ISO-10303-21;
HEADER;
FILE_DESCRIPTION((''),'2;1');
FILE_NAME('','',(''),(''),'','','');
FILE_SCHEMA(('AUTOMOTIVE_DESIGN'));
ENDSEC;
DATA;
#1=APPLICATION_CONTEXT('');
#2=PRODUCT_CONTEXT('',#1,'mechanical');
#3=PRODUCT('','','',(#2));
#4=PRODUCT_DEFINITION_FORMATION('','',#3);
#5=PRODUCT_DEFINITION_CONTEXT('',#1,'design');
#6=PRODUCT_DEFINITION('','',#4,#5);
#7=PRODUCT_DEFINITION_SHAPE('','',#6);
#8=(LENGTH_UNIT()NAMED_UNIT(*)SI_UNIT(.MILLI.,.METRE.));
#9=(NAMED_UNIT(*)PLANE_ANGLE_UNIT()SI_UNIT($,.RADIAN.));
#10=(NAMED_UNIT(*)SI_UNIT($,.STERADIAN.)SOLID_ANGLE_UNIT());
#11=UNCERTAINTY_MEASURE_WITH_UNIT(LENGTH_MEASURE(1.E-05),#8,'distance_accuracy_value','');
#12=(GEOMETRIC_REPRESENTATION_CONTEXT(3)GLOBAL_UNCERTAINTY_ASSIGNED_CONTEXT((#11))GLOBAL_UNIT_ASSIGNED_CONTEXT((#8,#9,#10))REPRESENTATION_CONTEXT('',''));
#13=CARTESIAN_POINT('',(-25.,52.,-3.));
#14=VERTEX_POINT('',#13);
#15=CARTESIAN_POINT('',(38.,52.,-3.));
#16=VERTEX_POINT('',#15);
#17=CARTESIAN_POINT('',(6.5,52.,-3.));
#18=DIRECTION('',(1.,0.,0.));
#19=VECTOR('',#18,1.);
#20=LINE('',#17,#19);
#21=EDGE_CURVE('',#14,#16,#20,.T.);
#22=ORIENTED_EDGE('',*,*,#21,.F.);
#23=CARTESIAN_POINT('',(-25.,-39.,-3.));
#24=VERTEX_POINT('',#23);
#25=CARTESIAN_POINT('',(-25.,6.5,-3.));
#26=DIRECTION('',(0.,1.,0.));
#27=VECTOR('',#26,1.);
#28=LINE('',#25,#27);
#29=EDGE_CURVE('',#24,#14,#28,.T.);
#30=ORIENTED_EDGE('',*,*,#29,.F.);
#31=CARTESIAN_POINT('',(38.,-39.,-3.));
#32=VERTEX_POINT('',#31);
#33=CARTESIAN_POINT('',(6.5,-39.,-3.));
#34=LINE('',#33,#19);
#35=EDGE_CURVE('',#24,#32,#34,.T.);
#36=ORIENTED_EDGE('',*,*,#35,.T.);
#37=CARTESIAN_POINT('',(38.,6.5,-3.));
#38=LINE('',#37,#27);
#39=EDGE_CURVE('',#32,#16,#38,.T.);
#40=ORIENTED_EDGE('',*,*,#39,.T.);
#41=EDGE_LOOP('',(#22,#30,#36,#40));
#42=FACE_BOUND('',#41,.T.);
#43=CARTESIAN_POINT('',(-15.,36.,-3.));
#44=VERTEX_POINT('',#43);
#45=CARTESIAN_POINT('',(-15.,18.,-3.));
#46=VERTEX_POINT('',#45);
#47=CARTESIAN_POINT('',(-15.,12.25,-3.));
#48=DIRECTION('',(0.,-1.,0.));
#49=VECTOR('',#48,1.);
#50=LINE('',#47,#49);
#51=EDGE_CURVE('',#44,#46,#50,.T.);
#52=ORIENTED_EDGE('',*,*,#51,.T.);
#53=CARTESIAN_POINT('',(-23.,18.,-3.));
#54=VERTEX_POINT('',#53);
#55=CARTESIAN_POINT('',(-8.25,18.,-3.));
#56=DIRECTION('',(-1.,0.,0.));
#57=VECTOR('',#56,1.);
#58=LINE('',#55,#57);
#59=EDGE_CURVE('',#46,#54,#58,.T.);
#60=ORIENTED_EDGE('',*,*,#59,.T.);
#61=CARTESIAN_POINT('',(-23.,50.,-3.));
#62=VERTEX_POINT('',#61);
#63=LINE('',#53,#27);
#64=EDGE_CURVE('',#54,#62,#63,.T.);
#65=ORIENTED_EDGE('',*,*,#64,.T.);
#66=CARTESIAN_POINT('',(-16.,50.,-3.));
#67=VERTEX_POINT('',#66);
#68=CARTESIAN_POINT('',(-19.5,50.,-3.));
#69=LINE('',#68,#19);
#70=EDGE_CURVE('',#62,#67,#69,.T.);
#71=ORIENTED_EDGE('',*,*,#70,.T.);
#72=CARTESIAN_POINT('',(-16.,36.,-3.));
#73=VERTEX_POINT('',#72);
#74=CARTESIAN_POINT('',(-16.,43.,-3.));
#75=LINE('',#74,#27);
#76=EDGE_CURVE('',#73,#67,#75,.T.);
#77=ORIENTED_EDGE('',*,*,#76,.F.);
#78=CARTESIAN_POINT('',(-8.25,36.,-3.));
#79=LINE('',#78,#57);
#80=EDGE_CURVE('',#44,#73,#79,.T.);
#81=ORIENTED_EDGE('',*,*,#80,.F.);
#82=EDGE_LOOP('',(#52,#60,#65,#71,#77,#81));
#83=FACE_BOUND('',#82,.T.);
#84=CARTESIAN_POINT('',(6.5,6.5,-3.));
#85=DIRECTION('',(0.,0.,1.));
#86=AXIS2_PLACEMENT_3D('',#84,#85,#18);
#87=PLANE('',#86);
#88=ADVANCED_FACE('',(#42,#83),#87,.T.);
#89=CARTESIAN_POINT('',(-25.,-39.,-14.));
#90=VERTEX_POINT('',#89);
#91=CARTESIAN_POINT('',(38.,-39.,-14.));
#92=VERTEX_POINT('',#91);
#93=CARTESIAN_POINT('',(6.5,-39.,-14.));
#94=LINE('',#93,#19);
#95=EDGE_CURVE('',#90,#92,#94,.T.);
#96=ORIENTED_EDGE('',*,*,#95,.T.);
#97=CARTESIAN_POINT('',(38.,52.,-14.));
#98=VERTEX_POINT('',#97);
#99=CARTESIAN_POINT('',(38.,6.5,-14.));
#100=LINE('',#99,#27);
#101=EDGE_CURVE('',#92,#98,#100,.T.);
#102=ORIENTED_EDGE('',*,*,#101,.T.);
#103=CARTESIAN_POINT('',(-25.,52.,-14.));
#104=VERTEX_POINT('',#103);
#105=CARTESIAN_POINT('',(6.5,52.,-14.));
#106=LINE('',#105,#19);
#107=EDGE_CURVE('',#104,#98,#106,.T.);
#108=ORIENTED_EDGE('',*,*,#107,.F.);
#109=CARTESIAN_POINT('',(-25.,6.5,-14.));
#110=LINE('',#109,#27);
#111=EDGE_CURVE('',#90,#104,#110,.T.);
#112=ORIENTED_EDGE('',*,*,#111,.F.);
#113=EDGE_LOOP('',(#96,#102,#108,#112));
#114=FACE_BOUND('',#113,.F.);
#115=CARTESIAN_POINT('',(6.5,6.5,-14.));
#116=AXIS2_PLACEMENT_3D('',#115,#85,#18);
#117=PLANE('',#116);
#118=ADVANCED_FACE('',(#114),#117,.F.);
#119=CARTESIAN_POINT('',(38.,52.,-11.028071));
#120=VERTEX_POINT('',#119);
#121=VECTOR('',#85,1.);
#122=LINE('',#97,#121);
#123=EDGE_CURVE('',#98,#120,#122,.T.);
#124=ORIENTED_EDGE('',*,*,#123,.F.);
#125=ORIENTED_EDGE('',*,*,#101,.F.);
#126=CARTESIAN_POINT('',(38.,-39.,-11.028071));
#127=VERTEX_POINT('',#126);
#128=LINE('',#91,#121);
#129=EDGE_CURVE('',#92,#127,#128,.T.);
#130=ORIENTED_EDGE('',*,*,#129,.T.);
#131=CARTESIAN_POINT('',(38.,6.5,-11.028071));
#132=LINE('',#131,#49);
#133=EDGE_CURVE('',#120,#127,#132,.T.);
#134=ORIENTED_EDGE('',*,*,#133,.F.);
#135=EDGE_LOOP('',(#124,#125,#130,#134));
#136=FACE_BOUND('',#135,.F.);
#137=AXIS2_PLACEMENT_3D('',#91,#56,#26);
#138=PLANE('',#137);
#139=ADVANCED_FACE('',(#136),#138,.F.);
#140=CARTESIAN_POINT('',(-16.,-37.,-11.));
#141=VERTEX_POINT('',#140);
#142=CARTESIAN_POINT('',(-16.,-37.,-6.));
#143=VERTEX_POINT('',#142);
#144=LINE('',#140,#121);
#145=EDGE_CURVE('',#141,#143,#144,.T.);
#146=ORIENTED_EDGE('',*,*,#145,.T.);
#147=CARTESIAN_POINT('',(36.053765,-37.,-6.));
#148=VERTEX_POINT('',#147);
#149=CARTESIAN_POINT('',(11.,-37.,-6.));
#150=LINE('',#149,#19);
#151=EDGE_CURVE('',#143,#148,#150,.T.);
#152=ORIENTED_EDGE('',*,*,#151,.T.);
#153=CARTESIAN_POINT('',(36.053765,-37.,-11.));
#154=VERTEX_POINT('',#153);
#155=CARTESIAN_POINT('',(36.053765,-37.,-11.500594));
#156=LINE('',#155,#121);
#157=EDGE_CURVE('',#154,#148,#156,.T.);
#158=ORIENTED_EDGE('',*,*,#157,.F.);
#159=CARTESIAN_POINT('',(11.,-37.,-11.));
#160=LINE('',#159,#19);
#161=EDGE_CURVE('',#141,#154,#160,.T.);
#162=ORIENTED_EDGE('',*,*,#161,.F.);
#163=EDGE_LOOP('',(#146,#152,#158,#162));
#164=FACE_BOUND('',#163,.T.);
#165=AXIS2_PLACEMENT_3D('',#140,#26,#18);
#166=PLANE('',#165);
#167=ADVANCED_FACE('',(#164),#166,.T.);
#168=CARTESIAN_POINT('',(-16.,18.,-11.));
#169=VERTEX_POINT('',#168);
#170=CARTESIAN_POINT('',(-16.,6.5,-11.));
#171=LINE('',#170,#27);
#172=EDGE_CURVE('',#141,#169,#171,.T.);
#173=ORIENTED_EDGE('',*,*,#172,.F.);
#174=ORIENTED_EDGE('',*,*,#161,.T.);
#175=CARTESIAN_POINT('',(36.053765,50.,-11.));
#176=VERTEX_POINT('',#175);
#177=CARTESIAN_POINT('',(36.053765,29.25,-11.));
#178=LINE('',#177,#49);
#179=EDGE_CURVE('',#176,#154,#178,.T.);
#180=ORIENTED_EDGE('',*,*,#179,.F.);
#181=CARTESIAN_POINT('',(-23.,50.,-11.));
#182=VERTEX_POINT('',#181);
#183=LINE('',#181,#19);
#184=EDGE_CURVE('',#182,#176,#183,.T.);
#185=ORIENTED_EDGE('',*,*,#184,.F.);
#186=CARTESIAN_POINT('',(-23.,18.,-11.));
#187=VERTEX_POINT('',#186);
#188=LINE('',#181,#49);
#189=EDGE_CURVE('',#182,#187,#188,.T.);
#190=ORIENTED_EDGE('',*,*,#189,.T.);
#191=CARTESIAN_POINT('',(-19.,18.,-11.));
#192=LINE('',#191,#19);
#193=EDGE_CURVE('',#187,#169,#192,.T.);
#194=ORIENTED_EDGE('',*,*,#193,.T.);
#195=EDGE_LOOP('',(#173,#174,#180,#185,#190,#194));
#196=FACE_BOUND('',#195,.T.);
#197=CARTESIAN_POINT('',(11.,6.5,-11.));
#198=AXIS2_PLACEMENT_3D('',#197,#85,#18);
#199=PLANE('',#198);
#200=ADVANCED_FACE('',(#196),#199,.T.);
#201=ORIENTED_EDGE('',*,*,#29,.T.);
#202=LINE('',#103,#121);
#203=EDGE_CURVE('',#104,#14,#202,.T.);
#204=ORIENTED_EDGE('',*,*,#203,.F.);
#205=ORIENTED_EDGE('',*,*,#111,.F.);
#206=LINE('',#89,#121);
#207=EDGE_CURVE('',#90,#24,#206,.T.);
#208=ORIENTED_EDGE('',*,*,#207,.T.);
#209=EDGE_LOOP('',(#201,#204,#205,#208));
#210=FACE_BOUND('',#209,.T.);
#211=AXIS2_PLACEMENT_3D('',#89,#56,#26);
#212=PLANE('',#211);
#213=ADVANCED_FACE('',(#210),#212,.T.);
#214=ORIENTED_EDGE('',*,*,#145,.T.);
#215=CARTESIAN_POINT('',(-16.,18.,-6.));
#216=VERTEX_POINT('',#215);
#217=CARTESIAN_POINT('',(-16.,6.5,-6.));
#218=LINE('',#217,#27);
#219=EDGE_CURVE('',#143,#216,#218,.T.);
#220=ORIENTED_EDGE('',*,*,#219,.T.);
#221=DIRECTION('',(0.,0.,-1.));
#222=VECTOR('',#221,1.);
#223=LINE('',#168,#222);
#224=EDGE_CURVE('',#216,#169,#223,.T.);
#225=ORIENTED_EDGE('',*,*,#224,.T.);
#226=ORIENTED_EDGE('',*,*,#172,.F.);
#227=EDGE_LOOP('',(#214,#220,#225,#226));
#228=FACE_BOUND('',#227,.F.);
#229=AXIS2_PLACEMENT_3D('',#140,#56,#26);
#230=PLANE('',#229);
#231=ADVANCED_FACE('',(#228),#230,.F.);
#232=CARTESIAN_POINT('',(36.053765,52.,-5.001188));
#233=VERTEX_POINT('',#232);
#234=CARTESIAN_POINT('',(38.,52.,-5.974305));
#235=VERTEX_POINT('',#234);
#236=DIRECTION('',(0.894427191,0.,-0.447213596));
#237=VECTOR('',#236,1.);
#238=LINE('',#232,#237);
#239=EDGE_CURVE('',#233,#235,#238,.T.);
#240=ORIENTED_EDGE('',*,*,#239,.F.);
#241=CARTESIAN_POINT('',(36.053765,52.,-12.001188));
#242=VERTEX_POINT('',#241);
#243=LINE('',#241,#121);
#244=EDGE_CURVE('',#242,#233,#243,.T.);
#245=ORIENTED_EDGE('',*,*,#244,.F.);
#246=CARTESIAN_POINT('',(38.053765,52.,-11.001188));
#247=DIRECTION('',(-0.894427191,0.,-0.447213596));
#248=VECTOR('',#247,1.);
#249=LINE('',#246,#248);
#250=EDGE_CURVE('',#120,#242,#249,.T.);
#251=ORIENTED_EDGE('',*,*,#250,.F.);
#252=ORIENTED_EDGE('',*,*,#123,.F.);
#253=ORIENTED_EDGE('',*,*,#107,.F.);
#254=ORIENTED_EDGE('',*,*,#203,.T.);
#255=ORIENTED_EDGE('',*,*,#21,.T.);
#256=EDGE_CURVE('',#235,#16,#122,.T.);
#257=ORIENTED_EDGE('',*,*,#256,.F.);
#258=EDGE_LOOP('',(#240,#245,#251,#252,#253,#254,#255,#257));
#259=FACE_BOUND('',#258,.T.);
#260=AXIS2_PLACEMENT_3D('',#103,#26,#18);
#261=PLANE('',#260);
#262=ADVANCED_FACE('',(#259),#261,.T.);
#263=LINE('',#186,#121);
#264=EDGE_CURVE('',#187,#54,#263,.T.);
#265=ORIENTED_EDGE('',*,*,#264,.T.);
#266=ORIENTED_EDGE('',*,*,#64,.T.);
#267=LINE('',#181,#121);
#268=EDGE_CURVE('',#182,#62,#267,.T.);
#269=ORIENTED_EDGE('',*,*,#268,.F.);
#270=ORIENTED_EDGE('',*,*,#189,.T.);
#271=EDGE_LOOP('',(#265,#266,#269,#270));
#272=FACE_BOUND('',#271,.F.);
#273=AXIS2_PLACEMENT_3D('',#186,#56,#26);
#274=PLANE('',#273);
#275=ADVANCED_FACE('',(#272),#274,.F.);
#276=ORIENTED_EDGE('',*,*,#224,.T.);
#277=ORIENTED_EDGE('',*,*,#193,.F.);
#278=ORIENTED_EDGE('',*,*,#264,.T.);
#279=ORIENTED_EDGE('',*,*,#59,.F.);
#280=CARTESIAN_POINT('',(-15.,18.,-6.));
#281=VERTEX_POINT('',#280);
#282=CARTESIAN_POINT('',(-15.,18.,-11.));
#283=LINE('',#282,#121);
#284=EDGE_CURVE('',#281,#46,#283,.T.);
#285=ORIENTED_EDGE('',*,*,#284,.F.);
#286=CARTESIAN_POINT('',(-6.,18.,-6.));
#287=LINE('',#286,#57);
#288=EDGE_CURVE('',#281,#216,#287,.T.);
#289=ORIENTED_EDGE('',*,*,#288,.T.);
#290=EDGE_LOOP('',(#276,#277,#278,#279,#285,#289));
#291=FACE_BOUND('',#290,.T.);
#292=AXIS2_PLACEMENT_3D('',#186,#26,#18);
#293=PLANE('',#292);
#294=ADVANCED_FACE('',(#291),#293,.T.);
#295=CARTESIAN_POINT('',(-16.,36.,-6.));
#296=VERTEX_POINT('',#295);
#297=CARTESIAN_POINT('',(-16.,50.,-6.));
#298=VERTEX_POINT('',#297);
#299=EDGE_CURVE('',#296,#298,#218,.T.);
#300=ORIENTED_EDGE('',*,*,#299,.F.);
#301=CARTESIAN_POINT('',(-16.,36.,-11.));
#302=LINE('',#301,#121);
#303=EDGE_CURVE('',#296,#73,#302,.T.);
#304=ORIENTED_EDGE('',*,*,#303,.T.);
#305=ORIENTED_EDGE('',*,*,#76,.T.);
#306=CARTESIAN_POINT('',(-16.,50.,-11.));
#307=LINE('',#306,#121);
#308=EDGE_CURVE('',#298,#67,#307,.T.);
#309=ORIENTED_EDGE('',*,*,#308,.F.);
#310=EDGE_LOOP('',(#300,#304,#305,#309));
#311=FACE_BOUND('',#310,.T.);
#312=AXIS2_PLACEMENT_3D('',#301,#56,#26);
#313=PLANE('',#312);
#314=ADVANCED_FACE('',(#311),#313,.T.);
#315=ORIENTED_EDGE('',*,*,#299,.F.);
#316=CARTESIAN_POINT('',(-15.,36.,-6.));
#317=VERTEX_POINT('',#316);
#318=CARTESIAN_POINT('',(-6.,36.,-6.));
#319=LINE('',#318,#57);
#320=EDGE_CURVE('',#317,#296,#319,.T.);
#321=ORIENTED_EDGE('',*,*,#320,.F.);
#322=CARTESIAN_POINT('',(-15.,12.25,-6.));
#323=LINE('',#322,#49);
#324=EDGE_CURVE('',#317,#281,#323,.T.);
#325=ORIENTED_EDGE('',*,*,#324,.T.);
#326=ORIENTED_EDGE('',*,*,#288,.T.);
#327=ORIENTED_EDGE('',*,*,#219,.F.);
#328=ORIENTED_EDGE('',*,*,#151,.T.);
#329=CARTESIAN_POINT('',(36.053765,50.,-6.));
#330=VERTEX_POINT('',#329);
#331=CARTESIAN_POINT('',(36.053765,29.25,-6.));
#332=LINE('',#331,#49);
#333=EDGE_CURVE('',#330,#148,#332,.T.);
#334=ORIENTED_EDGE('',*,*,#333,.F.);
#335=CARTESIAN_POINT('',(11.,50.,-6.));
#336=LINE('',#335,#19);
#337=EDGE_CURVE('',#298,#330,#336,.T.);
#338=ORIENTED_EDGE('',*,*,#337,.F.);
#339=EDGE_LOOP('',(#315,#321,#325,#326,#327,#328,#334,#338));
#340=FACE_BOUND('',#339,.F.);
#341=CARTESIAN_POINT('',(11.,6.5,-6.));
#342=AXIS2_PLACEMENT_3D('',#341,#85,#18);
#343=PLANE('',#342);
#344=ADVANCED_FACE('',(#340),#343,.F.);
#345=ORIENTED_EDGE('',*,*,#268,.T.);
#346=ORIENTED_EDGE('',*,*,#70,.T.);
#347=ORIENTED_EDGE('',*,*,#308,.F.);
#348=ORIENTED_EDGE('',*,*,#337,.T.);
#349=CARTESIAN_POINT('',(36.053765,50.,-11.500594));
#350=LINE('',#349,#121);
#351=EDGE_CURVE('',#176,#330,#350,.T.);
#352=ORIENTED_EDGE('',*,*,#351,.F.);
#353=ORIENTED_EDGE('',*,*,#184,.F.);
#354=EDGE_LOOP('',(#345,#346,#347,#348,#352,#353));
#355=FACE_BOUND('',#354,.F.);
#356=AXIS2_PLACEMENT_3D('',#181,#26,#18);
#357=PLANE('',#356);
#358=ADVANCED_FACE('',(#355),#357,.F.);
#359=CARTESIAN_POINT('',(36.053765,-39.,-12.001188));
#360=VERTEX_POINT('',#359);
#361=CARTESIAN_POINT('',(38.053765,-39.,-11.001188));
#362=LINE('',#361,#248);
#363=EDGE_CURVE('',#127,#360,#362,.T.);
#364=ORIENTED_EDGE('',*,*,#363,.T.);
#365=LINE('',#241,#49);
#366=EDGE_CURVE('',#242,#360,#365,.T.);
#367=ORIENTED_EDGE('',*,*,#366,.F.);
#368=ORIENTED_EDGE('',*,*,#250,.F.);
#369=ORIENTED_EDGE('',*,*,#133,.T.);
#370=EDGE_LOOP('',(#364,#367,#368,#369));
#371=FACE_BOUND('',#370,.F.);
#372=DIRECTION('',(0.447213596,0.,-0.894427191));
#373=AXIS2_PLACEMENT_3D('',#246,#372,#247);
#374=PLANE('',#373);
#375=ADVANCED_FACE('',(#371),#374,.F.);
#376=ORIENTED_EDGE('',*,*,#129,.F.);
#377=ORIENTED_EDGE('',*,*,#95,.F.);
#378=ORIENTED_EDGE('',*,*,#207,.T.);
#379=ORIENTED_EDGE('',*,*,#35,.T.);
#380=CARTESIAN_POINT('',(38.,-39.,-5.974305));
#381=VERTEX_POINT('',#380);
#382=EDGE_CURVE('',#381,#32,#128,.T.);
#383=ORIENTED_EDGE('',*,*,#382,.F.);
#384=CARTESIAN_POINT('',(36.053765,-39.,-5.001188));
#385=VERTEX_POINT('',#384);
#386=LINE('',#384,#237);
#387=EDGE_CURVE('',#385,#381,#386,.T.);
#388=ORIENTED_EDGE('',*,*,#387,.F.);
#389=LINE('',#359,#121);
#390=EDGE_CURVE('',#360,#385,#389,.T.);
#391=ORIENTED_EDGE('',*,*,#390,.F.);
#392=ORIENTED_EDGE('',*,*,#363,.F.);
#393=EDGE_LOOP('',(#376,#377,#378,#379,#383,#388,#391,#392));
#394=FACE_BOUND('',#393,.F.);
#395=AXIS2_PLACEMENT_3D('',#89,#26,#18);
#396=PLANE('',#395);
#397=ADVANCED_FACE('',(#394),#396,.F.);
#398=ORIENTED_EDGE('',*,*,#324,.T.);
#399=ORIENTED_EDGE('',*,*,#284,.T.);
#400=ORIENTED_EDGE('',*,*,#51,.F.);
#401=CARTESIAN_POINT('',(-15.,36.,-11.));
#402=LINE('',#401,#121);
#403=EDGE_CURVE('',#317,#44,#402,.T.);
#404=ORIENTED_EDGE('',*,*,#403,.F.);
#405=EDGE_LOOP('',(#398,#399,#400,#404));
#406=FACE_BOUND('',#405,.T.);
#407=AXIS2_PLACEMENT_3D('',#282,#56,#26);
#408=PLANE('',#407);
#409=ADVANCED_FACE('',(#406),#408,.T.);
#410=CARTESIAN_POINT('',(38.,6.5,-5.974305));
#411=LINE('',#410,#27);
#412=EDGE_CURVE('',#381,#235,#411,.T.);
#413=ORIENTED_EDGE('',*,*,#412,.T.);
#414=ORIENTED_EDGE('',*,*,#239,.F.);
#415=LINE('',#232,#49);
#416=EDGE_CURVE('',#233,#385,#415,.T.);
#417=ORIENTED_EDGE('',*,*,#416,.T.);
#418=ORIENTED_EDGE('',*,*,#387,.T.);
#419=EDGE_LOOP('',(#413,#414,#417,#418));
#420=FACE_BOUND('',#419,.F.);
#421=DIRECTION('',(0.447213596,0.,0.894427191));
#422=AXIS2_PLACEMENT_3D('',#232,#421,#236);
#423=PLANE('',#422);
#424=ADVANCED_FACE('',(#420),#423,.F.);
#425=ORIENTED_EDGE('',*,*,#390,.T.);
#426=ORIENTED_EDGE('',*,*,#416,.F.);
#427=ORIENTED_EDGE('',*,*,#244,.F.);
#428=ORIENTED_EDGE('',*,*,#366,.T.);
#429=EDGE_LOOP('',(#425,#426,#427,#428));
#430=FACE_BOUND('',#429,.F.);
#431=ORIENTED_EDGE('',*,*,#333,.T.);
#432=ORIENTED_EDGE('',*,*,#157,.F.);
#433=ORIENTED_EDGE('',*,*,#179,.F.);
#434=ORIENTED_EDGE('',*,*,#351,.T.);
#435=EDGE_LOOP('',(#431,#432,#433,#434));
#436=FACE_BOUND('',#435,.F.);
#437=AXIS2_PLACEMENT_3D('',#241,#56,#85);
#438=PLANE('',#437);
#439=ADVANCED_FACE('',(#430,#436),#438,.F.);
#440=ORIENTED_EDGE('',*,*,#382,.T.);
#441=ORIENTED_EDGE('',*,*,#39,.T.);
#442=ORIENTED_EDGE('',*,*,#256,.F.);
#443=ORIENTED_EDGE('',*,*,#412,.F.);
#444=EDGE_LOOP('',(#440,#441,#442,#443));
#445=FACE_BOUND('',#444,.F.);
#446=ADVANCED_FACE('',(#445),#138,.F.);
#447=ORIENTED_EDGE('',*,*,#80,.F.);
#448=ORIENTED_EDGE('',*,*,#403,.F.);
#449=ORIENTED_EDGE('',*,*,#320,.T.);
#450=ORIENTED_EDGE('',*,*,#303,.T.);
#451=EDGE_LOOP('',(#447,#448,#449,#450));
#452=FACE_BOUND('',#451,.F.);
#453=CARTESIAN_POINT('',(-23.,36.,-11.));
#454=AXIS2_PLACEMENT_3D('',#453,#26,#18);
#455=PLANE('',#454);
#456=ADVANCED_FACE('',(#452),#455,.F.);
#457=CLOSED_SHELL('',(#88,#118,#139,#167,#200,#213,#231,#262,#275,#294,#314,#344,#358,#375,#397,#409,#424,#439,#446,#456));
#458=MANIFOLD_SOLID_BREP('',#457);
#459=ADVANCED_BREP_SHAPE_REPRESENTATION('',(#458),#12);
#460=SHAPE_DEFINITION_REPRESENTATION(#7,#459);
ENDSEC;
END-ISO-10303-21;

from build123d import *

# Parameters (mm, degrees)
BOX023_W     = 8
BOX023_H     = 18
BOX023_DEPTH = 9
BOX022_W     = 7
BOX022_H     = 14
BOX022_DEPTH = 8
PAD001_DEPTH = 91
BOX001_W     = 54
BOX001_H     = 87
BOX001_DEPTH = 5
BOX004_W     = 63
BOX004_H     = 91
BOX004_DEPTH = 11


with BuildPart() as cube021:
    # Box023 → Box023 (new body)
    with BuildSketch(Plane(origin=(-23, 18, -11), x_dir=(1, 0, 0), z_dir=(0, 0, 1))):
        with Locations((4, 9)):
            Rectangle(BOX023_W, BOX023_H)
    extrude(amount=BOX023_DEPTH)


with BuildPart() as batterycablehole:
    # Box022 → Box022 (new body)
    with BuildSketch(Plane(origin=(-23, 36, -11), x_dir=(1, 0, 0), z_dir=(0, 0, 1))):
        with Locations((3.5, 7)):
            Rectangle(BOX022_W, BOX022_H)
    extrude(amount=BOX022_DEPTH)

    # Fusion008: union Cube021
    add(cube021.part)


with BuildPart() as batterysliderhole:
    # Sketch001 → Pad001 (new body)
    with BuildSketch(Plane(origin=(46.6, 52, -18.45), x_dir=(-1, 0, 0), z_dir=(0, -1, 0))):
        Polygon((10.546235, -6.448812), (10.546235, -13.448812), (8.546235, -12.448812), (8.546235, -7.448812), align=None)
    extrude(amount=PAD001_DEPTH)


with BuildPart() as batteryhole:
    # Box001 → Box001 (new body)
    with BuildSketch(Plane(origin=(-16, -37, -11), x_dir=(1, 0, 0), z_dir=(0, 0, 1))):
        with Locations((27, 43.5)):
            Rectangle(BOX001_W, BOX001_H)
    extrude(amount=BOX001_DEPTH)


with BuildPart() as cut013:
    # Box004 → Box004 (new body)
    with BuildSketch(Plane(origin=(-25, -39, -14), x_dir=(1, 0, 0), z_dir=(0, 0, 1))):
        with Locations((31.5, 45.5)):
            Rectangle(BOX004_W, BOX004_H)
    extrude(amount=BOX004_DEPTH)

    # Cut004: cut batteryHole
    add(batteryhole.part, mode=Mode.SUBTRACT)

    # Cut012: cut batterySliderHole
    add(batterysliderhole.part, mode=Mode.SUBTRACT)

    # Cut013: cut batteryCableHole
    add(batterycablehole.part, mode=Mode.SUBTRACT)


solid = cut013.part
